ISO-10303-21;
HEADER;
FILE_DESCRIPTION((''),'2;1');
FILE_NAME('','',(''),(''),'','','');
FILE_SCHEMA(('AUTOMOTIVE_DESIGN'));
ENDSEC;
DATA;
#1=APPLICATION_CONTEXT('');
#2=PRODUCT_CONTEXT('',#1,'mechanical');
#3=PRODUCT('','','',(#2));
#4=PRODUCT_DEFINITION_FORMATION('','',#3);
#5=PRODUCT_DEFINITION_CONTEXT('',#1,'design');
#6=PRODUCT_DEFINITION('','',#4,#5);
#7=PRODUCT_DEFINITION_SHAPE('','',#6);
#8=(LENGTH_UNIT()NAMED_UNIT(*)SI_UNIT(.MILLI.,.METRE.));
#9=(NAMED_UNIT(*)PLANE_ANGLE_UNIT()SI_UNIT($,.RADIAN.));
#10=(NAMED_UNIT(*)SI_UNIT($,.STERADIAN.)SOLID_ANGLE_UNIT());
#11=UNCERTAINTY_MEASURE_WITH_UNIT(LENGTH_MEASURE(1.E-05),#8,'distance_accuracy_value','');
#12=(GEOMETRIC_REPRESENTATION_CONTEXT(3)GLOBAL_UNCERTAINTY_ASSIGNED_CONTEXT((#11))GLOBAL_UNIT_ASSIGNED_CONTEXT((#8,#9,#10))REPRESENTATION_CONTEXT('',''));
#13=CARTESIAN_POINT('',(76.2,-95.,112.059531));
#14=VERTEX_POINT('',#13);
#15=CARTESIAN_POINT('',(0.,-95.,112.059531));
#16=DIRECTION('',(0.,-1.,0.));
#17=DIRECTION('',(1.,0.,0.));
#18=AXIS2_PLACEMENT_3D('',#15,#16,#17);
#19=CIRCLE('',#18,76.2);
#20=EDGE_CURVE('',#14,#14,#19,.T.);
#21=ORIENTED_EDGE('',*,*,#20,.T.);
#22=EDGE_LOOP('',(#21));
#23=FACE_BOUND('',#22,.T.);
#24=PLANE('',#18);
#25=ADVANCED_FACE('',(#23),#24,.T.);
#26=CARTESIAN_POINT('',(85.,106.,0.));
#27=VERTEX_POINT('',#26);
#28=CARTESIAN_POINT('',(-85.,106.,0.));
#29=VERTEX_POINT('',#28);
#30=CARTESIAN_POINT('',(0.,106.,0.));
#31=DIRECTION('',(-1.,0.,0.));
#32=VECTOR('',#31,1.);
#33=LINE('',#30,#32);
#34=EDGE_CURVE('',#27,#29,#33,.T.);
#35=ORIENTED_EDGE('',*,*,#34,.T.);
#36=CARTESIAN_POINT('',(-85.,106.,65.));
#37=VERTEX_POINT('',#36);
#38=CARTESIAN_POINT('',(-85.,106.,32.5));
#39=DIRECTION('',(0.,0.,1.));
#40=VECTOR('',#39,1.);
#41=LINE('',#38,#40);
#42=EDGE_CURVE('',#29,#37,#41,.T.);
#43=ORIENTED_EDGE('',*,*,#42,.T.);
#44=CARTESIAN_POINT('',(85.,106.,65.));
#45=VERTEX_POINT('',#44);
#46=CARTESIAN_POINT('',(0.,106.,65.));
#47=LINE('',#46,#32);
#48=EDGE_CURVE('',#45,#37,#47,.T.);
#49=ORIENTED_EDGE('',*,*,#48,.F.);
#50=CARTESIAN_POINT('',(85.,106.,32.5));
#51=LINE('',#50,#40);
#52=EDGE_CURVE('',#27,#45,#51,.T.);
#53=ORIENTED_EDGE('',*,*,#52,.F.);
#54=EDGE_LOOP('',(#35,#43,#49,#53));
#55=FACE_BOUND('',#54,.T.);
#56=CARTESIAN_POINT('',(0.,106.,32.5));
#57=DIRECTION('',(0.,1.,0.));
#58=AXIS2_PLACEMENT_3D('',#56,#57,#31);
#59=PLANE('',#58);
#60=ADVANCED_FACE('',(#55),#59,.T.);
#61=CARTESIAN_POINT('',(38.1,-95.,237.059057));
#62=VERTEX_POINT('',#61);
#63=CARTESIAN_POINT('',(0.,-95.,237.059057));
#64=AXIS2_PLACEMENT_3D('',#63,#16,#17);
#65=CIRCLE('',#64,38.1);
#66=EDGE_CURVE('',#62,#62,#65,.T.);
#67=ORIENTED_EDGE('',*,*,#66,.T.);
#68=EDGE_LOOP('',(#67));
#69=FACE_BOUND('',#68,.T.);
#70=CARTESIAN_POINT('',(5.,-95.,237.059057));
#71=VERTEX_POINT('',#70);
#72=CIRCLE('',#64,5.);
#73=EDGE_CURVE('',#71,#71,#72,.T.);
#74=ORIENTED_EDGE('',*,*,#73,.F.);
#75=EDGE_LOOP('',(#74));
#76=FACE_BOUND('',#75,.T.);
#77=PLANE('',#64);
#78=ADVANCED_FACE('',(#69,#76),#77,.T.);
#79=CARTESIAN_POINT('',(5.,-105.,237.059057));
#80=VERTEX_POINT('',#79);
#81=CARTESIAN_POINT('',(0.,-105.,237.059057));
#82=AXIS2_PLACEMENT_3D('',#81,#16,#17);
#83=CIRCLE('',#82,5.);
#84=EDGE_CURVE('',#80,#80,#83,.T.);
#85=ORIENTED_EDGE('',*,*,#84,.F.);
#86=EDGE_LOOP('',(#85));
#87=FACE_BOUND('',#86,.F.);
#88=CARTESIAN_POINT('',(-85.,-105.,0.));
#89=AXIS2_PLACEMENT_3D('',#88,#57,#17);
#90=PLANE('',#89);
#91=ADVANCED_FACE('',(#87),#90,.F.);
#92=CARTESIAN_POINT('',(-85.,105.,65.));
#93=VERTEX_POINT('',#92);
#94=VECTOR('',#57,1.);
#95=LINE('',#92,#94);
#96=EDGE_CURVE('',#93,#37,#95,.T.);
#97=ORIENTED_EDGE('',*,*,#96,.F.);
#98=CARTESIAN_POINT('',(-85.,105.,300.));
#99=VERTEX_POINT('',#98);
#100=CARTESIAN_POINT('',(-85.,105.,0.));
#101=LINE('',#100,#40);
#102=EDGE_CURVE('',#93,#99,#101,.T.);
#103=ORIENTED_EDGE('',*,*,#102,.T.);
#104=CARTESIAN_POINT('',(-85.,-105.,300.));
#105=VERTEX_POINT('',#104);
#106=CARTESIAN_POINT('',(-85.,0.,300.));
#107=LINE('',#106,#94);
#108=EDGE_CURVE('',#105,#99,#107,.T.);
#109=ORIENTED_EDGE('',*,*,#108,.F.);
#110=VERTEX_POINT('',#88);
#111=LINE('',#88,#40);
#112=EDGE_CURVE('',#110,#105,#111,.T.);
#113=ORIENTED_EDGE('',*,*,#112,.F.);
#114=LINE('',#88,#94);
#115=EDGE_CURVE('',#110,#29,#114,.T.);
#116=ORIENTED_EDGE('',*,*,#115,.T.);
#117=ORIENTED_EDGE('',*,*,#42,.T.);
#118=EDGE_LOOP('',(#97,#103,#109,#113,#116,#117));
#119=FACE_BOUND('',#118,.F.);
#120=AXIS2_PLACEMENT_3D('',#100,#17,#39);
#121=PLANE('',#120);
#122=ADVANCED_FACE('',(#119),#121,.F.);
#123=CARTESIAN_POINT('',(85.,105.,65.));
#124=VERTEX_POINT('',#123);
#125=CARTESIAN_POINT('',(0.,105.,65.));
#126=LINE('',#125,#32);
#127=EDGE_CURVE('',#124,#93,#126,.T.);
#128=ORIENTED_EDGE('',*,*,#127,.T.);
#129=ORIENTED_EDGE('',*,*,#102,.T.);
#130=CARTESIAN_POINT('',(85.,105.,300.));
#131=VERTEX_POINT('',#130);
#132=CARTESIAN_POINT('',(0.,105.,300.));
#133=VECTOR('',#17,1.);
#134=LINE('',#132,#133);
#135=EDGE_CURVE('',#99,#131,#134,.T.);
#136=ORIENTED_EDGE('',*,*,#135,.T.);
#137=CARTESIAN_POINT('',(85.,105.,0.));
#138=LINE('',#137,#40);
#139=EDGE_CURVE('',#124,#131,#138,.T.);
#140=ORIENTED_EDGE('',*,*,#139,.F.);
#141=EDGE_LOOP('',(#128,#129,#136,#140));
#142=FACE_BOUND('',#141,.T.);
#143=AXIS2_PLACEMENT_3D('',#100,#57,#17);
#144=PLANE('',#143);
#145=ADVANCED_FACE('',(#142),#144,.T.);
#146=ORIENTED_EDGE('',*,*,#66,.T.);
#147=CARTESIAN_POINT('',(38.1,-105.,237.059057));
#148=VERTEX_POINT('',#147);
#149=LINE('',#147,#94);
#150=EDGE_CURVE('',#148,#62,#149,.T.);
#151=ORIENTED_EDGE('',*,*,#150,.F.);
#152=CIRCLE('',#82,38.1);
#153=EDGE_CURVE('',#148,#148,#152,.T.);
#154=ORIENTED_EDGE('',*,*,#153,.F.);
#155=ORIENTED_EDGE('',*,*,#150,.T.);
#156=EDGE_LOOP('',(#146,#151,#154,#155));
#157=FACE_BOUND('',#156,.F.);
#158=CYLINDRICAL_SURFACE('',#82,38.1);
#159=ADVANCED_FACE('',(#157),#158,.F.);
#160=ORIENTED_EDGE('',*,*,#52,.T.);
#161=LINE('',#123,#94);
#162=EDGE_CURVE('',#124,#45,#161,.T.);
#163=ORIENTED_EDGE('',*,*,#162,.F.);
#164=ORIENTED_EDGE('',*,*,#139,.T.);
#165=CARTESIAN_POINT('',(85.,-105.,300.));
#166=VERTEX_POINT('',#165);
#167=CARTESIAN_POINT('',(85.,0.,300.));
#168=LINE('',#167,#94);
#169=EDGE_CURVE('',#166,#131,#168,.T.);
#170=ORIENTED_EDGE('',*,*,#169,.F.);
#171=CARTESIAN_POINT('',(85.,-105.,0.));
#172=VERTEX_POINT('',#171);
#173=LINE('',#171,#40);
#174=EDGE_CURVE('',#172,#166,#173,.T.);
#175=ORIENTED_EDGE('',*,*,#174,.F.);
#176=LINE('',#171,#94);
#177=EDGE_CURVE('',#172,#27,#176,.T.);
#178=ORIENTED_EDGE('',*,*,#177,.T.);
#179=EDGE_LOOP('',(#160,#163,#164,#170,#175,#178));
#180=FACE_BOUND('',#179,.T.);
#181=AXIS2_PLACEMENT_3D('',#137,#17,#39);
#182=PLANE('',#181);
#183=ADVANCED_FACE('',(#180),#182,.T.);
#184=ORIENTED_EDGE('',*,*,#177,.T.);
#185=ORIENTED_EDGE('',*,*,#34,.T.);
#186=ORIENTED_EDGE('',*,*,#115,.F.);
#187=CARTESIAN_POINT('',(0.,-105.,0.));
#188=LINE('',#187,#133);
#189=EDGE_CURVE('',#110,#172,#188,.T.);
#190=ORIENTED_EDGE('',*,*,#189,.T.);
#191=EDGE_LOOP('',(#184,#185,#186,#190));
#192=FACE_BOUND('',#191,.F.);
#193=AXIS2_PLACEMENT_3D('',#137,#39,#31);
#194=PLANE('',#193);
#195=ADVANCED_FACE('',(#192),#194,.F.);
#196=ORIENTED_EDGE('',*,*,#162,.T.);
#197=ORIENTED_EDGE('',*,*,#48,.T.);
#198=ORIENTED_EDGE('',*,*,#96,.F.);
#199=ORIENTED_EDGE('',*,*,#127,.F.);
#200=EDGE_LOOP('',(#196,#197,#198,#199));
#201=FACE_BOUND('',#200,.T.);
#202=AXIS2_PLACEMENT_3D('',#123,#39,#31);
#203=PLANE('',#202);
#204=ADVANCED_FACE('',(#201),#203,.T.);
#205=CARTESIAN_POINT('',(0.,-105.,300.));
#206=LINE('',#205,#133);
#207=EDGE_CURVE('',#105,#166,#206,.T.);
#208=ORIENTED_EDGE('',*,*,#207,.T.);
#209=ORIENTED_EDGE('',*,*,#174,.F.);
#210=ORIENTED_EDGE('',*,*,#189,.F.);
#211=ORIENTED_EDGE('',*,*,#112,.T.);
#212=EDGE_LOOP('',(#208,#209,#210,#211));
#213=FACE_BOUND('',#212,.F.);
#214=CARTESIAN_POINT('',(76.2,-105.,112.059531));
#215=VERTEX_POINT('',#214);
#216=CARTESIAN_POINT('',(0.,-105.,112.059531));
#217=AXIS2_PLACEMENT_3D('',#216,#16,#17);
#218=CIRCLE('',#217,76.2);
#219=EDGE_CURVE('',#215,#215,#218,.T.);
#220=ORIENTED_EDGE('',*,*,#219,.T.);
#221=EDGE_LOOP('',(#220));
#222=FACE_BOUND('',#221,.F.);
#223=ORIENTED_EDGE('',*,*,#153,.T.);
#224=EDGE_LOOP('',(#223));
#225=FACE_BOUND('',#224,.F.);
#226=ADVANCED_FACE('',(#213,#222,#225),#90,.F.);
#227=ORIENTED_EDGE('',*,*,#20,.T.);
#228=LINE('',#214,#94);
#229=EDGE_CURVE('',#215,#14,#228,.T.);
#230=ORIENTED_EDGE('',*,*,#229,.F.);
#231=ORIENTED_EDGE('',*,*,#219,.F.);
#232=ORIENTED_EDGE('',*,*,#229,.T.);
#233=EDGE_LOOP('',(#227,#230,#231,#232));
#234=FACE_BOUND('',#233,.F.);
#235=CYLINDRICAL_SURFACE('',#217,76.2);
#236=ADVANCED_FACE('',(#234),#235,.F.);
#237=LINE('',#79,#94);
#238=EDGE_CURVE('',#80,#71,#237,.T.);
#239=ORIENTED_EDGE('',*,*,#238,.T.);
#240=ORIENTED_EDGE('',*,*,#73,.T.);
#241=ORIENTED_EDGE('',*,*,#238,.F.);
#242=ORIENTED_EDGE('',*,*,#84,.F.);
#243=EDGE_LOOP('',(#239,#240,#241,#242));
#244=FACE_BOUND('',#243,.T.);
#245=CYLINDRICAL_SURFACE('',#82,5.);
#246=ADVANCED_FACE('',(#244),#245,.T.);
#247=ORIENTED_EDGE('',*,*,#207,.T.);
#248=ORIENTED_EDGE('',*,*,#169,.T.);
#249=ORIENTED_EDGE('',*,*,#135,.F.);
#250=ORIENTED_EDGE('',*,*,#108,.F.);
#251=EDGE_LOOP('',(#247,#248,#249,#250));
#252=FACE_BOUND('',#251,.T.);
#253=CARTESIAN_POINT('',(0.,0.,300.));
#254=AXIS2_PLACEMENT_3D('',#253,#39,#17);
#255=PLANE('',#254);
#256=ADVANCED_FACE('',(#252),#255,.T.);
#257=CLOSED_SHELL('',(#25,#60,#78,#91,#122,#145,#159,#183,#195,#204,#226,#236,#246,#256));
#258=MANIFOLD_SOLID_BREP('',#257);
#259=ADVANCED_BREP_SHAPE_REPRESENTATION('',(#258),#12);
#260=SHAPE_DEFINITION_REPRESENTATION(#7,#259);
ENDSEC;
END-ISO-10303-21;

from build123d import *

# Parameters (mm, degrees)
F0_W     = 170
F0_H     = 210
F1_DEPTH = 300
F2_W     = 170
F2_H     = 65
F3_DEPTH = 1
F4_R     = 38.1
F4_R_2   = 5
F4_R_3   = 76.2
F5_DEPTH = 10


with BuildPart() as f1:
    # F0 (on Top) → F1 (new body)
    with BuildSketch(Plane.XY):
        Rectangle(F0_W, F0_H)
    extrude(amount=F1_DEPTH)

    # F2 (on face) → F3 (join)
    with BuildSketch(Plane(origin=(0, 105, 0), x_dir=(-1, 0, 0), z_dir=(0, 1, 0))):
        with Locations((0, 32.5)):
            Rectangle(F2_W, F2_H)
    extrude(amount=F3_DEPTH)

    # F4 (on face) → F5 (cut)
    with BuildSketch(Plane.XZ.offset(105)):
        with Locations((0, 237.059057)):
            Circle(F4_R)
        with Locations((0, 237.059057)):
            Circle(F4_R_2, mode=Mode.SUBTRACT)
        with Locations((0, 112.059531)):
            Circle(F4_R_3)
    extrude(amount=-F5_DEPTH, mode=Mode.SUBTRACT)


solid = f1.part
